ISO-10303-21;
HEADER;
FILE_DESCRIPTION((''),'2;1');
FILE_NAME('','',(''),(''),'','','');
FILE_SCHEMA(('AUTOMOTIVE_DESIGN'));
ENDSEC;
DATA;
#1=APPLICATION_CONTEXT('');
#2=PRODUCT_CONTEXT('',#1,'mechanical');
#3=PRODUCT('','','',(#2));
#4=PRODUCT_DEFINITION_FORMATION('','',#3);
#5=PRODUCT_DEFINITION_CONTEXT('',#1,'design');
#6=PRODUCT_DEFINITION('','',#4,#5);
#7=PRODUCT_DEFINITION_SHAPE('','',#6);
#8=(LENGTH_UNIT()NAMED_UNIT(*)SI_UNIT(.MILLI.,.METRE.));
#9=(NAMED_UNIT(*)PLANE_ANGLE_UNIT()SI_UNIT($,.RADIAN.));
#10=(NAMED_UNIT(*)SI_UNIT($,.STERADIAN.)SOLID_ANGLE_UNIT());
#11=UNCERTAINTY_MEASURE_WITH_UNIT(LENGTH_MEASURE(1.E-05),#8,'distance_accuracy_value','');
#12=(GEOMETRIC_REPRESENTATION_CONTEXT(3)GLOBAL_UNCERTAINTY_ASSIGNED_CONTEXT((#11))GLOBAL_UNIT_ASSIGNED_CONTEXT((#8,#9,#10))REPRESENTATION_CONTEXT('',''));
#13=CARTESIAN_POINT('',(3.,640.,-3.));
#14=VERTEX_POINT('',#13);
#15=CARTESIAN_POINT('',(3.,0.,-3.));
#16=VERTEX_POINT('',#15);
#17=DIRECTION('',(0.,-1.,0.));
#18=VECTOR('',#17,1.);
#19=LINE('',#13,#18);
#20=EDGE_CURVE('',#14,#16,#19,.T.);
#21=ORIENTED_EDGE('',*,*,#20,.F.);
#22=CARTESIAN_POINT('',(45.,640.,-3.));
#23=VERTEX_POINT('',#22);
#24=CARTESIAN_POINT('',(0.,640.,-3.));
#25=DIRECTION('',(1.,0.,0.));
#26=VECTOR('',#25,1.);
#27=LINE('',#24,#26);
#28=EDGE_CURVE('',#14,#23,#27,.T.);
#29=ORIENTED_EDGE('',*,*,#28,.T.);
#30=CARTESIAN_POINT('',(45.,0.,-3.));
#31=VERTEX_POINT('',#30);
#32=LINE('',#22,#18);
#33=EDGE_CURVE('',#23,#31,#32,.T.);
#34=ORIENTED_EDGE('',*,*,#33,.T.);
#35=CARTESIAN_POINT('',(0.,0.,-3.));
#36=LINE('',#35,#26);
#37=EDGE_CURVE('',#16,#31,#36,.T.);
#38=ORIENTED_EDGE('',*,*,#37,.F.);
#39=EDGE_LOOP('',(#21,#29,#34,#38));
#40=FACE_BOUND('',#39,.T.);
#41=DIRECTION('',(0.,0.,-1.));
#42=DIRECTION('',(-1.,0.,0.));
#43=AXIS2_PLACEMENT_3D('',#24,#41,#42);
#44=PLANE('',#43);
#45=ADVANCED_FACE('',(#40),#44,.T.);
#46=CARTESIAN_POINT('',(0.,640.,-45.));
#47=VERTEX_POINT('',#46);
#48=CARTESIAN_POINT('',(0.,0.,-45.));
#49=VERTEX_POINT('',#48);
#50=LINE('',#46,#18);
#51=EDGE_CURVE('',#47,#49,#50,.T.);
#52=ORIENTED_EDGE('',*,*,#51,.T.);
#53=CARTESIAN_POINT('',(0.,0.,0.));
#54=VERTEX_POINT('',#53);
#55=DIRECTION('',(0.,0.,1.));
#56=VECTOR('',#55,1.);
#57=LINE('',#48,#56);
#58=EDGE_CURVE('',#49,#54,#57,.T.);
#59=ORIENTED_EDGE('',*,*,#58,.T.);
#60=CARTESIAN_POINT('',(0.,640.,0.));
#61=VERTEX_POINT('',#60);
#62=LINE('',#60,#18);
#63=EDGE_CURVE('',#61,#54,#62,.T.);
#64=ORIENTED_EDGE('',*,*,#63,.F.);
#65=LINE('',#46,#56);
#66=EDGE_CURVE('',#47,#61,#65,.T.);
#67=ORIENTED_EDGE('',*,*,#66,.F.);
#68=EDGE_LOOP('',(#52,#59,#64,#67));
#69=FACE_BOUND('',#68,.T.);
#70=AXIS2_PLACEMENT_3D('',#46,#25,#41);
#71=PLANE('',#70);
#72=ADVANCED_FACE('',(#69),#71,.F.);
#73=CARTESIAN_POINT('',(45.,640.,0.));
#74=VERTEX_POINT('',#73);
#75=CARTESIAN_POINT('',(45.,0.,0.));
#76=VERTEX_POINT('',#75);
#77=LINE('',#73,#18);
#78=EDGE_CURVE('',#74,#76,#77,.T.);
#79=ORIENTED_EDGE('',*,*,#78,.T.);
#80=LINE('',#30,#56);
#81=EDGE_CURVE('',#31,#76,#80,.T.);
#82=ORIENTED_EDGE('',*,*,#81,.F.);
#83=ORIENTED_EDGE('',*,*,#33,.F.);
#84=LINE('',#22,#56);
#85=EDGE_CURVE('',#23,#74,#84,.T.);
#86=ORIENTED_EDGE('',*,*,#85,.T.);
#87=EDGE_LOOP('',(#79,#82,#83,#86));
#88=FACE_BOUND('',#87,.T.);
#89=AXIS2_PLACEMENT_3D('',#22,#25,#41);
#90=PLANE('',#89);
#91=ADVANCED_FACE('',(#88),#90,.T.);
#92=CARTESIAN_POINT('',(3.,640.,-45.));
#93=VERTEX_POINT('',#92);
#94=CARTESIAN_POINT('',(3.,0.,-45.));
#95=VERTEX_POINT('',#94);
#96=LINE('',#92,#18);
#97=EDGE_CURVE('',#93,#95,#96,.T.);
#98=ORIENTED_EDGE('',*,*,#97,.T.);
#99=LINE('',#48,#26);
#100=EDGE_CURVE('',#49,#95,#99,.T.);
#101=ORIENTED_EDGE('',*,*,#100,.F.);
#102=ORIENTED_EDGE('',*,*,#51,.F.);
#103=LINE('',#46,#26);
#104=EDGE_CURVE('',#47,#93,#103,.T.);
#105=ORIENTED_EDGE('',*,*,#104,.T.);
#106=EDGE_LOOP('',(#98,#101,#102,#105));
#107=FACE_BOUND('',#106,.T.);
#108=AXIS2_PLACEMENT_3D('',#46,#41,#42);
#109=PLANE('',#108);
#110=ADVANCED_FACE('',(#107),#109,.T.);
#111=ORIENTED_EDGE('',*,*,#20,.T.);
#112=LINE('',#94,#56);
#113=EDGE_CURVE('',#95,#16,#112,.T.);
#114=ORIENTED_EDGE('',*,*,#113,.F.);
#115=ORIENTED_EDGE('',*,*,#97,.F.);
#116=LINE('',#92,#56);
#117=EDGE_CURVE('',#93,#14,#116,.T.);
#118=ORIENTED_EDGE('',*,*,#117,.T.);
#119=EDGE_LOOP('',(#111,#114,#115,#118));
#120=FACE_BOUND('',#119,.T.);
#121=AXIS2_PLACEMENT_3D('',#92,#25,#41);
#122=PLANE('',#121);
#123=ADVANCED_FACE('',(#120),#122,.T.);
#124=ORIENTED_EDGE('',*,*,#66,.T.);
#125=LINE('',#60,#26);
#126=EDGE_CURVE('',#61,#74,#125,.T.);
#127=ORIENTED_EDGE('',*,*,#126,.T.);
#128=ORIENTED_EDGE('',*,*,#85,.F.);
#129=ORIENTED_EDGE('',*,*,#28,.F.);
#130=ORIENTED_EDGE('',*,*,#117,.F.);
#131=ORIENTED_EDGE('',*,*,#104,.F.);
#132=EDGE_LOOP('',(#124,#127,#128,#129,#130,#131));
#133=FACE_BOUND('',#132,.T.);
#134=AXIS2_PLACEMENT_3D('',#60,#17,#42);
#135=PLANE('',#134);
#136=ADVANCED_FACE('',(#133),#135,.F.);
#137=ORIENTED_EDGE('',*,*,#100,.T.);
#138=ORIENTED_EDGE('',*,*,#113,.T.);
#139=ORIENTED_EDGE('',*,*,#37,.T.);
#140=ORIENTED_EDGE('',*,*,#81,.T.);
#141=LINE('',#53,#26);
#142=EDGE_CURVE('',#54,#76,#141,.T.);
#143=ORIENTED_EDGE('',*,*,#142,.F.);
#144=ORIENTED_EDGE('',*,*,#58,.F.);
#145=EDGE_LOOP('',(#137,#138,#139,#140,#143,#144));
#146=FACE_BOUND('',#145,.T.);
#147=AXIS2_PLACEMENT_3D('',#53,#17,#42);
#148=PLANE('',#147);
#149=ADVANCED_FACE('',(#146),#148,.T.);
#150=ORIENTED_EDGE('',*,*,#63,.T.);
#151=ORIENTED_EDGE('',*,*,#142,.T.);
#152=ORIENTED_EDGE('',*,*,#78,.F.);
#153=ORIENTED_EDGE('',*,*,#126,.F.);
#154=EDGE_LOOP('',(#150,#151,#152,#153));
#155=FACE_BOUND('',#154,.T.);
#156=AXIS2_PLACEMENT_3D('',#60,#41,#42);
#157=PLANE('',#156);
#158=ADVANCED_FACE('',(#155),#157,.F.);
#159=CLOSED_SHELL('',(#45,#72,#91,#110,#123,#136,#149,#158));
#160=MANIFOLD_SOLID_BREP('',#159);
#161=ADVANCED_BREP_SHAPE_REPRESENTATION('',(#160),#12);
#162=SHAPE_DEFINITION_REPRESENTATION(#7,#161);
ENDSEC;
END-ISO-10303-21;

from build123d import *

# Parameters (mm, degrees)
EXTRUDE_1_DEPTH = 640


with BuildPart() as part:
    # Эскиз1 → Вытянуть-Тонкостенный1 (new body)
    with BuildSketch(Plane(origin=(0, 0, 0), x_dir=(1, 0, 0), z_dir=(0, 1, 0))):
        Polygon((0, 45), (0, 0), (45, 0), (45, 3), (3, 3), (3, 45), align=None)
    extrude(amount=EXTRUDE_1_DEPTH)


solid = part.part
